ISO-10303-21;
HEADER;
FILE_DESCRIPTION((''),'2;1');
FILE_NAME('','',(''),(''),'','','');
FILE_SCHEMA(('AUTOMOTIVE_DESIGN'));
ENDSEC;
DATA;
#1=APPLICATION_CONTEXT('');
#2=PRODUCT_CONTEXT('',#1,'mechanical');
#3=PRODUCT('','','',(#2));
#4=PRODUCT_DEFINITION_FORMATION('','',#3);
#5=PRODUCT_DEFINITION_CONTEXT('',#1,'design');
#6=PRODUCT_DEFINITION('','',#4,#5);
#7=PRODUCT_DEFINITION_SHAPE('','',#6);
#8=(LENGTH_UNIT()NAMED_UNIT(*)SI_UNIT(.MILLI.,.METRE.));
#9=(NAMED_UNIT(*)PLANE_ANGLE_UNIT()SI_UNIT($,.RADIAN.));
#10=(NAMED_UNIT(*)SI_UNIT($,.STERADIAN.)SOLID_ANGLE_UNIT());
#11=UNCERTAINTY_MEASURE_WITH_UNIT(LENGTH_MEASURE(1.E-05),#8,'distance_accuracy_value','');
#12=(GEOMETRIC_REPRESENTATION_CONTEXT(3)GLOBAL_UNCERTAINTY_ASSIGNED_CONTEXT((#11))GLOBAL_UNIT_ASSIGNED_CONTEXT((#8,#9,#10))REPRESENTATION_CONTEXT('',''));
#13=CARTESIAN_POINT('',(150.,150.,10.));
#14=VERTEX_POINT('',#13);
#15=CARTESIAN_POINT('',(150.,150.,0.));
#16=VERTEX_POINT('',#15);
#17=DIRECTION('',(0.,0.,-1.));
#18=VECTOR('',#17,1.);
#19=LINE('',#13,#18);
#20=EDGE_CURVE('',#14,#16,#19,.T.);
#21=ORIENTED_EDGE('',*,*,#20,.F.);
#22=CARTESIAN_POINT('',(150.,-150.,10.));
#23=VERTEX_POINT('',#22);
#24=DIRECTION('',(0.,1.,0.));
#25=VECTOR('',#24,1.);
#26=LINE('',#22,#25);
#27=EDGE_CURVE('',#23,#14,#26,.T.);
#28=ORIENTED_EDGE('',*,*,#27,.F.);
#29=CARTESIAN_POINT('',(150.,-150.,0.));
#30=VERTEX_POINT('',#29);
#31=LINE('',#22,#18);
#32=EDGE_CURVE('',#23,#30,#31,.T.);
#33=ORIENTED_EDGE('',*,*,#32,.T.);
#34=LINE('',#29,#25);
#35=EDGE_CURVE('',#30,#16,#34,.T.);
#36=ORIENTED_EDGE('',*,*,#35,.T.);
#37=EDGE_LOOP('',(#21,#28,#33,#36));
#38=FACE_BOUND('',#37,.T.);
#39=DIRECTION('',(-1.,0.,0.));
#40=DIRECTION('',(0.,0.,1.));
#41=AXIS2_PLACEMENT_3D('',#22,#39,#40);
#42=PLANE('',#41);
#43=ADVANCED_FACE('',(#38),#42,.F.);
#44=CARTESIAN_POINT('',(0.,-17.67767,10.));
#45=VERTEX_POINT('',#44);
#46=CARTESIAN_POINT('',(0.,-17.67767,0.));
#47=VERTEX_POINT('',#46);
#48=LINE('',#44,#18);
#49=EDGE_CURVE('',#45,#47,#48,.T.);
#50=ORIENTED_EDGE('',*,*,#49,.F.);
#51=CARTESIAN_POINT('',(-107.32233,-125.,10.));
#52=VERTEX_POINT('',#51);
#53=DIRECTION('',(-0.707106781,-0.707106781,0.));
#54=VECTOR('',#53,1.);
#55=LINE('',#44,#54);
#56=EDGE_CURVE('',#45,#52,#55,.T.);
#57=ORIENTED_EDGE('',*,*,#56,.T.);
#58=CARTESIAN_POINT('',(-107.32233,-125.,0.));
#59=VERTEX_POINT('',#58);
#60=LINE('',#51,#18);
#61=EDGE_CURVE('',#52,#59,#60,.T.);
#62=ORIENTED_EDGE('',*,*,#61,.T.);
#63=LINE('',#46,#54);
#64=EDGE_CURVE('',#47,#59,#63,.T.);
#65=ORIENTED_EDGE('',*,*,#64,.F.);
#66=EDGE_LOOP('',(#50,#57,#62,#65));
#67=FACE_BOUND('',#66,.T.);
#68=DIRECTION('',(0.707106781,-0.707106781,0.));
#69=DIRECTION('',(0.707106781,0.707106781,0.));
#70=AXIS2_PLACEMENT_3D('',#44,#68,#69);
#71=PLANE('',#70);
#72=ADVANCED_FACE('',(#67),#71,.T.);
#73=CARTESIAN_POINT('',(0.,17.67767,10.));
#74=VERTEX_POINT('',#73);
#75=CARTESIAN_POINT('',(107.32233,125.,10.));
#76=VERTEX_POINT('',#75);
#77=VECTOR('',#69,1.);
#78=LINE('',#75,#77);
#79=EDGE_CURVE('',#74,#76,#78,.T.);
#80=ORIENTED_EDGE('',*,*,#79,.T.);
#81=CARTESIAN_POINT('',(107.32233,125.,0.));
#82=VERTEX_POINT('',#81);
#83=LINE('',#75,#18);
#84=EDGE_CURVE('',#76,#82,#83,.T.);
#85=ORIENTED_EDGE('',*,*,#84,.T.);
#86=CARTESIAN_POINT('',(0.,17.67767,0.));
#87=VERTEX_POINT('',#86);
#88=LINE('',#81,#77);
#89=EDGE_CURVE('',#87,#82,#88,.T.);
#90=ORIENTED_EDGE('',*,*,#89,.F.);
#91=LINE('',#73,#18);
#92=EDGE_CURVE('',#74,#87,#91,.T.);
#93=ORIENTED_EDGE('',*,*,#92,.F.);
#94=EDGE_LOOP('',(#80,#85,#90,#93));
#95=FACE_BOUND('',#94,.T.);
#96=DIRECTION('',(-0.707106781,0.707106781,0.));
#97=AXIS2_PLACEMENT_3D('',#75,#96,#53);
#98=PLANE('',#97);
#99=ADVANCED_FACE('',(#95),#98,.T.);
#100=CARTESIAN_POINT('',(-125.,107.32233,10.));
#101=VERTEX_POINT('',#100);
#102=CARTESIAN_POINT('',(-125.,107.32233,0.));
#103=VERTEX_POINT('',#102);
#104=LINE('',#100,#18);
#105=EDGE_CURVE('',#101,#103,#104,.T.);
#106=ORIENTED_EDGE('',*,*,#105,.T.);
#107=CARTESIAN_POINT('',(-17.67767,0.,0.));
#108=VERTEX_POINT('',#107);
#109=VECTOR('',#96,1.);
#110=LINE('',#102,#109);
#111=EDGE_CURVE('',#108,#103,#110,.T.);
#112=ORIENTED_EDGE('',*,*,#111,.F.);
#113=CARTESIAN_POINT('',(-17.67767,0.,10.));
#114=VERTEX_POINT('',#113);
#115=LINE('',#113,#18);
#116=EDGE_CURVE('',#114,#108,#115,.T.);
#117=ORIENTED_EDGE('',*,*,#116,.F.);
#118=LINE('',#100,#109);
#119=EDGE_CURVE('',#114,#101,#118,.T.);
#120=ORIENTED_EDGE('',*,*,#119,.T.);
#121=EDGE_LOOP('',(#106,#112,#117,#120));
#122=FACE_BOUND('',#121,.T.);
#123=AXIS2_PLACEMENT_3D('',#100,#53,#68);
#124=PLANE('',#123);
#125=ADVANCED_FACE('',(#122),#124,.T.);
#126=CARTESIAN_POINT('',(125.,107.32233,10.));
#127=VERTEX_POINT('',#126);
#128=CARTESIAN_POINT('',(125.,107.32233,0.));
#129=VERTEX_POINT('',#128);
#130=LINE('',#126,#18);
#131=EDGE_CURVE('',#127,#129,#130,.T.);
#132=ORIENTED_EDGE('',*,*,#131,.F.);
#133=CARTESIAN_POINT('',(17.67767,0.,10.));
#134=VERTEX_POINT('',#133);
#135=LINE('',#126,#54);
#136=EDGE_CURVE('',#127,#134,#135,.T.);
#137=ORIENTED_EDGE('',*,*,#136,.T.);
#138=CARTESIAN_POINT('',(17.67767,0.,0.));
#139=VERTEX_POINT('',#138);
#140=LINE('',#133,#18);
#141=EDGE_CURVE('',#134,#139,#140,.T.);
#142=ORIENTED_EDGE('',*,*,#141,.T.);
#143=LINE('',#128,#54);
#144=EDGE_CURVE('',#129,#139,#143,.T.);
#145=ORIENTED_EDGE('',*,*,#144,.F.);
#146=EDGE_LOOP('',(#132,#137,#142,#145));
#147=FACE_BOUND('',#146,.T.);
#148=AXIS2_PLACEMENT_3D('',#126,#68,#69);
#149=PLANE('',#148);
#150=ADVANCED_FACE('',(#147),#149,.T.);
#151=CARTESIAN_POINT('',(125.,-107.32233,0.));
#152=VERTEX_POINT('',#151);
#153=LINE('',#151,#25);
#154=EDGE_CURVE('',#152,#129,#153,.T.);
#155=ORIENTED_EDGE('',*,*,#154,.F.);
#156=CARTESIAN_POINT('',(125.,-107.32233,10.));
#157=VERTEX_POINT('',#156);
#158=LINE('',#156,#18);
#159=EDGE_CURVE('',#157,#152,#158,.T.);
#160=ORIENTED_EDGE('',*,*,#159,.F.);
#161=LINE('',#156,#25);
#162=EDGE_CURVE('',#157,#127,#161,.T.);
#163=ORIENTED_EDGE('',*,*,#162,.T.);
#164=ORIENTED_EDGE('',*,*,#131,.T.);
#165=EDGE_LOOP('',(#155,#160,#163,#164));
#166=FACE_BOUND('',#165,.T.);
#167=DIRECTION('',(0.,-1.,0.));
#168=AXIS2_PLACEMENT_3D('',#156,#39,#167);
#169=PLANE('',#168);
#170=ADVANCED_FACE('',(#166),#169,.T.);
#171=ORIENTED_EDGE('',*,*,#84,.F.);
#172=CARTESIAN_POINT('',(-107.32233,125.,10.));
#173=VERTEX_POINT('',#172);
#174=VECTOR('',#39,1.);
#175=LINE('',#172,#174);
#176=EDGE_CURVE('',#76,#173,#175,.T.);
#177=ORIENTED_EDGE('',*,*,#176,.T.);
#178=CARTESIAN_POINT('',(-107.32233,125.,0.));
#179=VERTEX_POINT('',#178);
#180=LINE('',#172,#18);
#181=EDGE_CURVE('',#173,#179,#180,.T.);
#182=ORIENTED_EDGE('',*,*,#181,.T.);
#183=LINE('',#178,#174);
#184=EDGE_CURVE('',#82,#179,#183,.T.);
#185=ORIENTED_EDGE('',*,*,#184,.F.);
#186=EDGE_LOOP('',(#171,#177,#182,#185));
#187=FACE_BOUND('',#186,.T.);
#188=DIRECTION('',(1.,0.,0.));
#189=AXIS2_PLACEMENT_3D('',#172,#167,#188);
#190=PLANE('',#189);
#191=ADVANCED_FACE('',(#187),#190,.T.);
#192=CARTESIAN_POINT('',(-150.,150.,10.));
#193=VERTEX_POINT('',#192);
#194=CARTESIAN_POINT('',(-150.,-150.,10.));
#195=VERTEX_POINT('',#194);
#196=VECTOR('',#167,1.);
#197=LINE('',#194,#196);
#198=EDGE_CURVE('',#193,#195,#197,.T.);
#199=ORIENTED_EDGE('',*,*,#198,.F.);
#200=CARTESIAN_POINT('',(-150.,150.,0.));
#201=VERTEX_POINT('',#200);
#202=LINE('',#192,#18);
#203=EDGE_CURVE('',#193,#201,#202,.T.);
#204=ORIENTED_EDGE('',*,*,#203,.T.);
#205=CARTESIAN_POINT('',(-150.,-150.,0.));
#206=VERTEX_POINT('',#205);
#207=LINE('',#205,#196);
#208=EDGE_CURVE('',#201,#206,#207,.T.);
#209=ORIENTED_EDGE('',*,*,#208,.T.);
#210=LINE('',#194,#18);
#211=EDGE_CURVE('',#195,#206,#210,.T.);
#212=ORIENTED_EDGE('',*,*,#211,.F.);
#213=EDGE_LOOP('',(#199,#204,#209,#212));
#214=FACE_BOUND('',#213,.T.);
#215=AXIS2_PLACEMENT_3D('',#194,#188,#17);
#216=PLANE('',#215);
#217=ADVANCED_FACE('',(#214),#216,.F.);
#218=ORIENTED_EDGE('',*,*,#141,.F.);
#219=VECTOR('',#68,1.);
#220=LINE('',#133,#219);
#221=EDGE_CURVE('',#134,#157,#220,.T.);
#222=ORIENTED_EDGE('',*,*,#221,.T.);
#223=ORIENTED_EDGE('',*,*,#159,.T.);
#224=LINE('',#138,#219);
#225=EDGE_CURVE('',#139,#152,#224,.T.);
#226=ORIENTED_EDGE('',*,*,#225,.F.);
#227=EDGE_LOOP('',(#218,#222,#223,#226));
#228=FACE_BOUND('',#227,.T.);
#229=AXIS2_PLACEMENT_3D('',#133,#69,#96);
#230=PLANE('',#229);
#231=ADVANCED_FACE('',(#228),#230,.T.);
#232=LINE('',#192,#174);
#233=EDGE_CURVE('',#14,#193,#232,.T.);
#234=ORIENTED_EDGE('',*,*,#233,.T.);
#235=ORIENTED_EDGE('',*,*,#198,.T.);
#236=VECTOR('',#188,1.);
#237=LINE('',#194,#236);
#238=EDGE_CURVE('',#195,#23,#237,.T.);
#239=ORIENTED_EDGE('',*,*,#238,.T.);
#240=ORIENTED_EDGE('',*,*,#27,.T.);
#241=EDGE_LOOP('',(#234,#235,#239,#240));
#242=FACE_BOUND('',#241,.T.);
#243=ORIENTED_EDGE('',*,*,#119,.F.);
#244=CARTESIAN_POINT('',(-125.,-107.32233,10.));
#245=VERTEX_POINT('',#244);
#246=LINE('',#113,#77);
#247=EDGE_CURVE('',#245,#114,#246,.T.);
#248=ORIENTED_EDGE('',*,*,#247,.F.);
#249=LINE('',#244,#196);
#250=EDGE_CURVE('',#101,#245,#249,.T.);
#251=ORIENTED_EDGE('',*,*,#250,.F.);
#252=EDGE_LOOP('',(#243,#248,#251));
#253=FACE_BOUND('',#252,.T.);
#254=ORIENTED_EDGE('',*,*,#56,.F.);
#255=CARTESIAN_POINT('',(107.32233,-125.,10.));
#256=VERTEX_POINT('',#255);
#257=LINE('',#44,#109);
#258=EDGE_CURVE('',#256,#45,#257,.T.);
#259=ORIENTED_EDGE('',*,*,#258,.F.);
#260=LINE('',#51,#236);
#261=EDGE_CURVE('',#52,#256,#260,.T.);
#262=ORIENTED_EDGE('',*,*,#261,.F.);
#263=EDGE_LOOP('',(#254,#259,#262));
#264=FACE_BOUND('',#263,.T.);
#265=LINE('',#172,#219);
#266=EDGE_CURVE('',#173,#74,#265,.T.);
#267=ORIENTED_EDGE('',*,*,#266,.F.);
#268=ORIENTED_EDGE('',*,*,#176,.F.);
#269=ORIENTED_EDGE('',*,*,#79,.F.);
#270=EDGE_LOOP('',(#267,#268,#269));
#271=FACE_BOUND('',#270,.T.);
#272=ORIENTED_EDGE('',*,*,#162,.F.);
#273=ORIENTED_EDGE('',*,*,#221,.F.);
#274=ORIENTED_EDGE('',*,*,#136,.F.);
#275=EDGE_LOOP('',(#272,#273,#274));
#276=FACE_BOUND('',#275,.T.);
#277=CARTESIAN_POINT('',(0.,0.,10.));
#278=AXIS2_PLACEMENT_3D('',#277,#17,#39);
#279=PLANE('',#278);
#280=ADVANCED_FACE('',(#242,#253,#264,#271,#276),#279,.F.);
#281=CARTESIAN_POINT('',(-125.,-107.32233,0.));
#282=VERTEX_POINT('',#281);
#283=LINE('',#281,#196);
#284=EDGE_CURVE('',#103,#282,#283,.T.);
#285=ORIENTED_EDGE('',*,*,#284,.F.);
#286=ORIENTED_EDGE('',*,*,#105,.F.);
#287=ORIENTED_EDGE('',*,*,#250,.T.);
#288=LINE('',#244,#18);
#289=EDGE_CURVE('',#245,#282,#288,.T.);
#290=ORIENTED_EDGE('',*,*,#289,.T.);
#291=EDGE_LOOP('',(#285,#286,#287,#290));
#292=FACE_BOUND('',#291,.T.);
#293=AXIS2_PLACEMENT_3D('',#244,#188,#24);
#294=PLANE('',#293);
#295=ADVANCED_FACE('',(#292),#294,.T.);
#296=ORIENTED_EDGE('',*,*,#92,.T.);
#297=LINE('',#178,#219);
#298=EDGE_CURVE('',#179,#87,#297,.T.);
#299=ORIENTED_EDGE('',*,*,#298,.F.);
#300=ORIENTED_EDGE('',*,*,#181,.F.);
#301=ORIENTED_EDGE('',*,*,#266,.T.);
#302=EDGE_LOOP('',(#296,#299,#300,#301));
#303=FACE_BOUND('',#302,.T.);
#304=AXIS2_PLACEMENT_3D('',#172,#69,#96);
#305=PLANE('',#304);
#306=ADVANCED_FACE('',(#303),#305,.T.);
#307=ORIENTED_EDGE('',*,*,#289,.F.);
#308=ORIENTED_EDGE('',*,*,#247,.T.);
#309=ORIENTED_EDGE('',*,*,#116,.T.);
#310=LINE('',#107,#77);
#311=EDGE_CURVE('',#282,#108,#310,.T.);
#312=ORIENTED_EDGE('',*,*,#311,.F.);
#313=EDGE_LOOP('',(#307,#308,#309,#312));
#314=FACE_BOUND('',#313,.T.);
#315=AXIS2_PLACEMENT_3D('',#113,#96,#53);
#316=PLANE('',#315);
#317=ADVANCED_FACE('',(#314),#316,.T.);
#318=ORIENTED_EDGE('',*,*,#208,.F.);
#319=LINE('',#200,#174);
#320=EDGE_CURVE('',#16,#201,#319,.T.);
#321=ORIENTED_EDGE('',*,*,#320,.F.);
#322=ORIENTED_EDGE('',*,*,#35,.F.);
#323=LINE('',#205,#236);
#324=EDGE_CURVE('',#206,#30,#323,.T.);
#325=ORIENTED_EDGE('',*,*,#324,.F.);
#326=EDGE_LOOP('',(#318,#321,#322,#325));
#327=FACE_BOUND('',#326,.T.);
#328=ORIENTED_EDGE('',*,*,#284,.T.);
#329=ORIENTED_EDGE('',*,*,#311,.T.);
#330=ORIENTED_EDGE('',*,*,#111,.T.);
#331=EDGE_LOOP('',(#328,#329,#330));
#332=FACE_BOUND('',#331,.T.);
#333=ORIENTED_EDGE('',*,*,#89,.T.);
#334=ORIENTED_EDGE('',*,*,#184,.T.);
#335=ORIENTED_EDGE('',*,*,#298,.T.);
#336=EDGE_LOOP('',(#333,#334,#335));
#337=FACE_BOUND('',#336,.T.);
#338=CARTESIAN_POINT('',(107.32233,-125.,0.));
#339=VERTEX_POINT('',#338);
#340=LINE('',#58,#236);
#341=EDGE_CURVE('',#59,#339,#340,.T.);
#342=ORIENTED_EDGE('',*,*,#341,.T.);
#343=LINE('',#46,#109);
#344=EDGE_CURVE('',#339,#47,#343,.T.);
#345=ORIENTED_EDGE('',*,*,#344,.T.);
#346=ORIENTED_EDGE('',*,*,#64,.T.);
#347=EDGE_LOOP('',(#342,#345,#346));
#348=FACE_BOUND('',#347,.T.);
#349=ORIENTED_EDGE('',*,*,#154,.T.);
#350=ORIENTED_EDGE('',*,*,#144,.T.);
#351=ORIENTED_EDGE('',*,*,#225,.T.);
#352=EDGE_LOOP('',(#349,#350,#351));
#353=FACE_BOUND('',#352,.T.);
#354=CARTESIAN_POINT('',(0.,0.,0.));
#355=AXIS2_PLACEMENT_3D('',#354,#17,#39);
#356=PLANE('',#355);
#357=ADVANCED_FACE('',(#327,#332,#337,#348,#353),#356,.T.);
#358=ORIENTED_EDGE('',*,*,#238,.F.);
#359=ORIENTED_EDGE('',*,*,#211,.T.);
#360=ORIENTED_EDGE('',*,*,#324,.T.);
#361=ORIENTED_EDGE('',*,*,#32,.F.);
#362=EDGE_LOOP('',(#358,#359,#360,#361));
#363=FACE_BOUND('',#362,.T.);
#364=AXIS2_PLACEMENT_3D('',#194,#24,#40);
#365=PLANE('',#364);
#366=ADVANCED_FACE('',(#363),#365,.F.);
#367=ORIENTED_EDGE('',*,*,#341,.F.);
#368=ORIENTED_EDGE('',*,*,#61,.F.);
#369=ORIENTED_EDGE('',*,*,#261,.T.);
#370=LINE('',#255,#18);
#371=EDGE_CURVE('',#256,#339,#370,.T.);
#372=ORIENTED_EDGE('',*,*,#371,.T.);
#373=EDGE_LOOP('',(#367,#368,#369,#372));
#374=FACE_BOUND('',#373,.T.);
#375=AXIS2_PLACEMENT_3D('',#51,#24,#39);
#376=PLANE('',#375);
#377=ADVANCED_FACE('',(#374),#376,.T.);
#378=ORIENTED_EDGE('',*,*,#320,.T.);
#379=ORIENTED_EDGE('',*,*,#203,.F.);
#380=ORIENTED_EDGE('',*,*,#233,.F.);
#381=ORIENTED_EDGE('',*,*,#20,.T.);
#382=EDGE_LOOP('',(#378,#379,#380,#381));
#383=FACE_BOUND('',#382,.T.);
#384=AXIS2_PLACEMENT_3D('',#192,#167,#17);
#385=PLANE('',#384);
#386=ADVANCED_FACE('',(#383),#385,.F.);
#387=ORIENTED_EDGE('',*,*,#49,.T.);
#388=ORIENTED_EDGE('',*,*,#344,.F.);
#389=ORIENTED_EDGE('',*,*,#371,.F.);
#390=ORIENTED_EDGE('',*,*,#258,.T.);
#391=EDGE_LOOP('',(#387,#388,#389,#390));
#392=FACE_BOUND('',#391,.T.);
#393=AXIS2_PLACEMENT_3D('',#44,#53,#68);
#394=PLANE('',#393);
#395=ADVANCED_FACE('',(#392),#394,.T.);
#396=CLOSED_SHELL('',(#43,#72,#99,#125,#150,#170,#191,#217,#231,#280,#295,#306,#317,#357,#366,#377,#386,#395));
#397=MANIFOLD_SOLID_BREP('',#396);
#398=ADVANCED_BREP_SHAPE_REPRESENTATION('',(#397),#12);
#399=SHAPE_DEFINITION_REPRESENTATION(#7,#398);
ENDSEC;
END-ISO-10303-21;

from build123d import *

# Parameters (mm, degrees)
SKETCH1_W           = 300
SKETCH1_H           = 300
BOSS_EXTRUDE1_DEPTH = 10


with BuildPart() as part:
    # Sketch1 → Boss-Extrude1 (new body)
    with BuildSketch(Plane.XY):
        Rectangle(SKETCH1_W, SKETCH1_H)
        Polygon((-107.32233047, 125), (107.32233047, 125), (0, 17.67766953), align=None, mode=Mode.SUBTRACT)
        Polygon((125, -107.32233047), (125, 107.32233047), (17.67766953, 0), align=None, mode=Mode.SUBTRACT)
        Polygon((-107.32233047, -125), (107.32233047, -125), (0, -17.67766953), align=None, mode=Mode.SUBTRACT)
        Polygon((-125, -107.32233047), (-125, 107.32233047), (-17.67766953, 0), align=None, mode=Mode.SUBTRACT)
    extrude(amount=BOSS_EXTRUDE1_DEPTH)


solid = part.part
